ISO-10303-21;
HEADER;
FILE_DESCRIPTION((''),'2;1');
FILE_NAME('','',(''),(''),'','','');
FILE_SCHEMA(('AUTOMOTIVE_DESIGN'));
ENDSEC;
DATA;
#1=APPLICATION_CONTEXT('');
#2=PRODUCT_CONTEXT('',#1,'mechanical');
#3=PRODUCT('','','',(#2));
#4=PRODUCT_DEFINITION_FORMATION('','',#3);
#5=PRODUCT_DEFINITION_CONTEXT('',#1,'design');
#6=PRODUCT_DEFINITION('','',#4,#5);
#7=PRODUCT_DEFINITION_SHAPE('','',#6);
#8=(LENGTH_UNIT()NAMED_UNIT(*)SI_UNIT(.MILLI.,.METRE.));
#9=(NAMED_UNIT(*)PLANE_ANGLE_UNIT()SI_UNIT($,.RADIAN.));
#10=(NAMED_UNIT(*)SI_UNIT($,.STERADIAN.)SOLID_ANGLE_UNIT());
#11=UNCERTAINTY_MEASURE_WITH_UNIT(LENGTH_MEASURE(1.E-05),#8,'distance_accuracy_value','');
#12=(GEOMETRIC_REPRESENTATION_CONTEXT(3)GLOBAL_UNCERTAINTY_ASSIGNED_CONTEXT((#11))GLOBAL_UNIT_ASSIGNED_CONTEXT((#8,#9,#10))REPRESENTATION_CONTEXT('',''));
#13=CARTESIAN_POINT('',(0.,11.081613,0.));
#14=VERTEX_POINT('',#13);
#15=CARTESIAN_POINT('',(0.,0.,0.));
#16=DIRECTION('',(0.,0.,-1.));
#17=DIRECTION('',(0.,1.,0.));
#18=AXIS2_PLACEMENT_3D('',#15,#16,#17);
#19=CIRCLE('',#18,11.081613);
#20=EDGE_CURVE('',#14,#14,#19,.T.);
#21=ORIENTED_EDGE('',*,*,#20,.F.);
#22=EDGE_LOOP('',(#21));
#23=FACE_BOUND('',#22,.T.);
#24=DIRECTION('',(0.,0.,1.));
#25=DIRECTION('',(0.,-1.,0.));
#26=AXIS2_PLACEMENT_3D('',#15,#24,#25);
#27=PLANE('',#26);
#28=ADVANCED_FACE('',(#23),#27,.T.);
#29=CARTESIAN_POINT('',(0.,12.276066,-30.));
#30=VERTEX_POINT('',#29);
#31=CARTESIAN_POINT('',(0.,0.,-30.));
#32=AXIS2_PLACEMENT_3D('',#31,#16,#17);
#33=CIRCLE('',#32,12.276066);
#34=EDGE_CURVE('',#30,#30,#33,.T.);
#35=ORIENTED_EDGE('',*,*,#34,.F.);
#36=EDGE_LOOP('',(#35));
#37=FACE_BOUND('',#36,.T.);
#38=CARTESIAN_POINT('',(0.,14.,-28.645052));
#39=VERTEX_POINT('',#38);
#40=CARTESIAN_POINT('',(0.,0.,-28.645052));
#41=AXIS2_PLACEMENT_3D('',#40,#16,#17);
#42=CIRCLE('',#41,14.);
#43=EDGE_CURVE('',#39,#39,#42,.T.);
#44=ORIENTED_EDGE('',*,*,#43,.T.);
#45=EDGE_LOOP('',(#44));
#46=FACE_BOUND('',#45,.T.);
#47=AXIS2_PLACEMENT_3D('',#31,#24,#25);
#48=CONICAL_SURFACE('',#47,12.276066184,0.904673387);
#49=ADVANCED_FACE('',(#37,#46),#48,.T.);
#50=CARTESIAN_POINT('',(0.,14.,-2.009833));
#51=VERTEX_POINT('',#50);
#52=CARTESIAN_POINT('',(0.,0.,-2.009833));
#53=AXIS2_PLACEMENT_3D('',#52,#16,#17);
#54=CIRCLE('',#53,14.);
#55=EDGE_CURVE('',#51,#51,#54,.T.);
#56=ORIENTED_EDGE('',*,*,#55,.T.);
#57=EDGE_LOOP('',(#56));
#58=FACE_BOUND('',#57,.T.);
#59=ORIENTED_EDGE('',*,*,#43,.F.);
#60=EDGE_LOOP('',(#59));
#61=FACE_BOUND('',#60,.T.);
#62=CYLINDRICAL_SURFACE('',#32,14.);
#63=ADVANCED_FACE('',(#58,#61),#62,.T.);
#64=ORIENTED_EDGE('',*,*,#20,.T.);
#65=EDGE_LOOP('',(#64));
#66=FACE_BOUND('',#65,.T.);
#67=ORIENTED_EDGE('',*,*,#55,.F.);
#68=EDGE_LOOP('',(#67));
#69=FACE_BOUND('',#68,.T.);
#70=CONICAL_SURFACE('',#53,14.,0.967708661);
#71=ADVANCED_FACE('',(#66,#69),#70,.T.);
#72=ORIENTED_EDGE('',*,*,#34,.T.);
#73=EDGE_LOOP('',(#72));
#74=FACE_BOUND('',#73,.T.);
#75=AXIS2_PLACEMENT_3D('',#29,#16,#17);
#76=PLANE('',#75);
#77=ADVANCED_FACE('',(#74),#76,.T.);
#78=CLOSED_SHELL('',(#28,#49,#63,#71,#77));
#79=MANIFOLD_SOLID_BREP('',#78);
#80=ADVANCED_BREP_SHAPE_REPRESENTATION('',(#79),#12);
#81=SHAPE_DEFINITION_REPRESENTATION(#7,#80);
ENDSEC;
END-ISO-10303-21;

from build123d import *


with BuildPart() as part:
    # Sketch1 → Revolve1 (revolve)
    with BuildSketch(Plane(origin=(0, 0, 0), x_dir=(0, 0, -1), z_dir=(1, 0, 0))):
        Polygon((0, 0), (0, 11.081612586), (2.009832842, 14), (28.645051969, 14), (30, 12.276066184), (30, 0), align=None)
    revolve(axis=Axis((0, 0, -30), (0, 0, 1)))


solid = part.part
